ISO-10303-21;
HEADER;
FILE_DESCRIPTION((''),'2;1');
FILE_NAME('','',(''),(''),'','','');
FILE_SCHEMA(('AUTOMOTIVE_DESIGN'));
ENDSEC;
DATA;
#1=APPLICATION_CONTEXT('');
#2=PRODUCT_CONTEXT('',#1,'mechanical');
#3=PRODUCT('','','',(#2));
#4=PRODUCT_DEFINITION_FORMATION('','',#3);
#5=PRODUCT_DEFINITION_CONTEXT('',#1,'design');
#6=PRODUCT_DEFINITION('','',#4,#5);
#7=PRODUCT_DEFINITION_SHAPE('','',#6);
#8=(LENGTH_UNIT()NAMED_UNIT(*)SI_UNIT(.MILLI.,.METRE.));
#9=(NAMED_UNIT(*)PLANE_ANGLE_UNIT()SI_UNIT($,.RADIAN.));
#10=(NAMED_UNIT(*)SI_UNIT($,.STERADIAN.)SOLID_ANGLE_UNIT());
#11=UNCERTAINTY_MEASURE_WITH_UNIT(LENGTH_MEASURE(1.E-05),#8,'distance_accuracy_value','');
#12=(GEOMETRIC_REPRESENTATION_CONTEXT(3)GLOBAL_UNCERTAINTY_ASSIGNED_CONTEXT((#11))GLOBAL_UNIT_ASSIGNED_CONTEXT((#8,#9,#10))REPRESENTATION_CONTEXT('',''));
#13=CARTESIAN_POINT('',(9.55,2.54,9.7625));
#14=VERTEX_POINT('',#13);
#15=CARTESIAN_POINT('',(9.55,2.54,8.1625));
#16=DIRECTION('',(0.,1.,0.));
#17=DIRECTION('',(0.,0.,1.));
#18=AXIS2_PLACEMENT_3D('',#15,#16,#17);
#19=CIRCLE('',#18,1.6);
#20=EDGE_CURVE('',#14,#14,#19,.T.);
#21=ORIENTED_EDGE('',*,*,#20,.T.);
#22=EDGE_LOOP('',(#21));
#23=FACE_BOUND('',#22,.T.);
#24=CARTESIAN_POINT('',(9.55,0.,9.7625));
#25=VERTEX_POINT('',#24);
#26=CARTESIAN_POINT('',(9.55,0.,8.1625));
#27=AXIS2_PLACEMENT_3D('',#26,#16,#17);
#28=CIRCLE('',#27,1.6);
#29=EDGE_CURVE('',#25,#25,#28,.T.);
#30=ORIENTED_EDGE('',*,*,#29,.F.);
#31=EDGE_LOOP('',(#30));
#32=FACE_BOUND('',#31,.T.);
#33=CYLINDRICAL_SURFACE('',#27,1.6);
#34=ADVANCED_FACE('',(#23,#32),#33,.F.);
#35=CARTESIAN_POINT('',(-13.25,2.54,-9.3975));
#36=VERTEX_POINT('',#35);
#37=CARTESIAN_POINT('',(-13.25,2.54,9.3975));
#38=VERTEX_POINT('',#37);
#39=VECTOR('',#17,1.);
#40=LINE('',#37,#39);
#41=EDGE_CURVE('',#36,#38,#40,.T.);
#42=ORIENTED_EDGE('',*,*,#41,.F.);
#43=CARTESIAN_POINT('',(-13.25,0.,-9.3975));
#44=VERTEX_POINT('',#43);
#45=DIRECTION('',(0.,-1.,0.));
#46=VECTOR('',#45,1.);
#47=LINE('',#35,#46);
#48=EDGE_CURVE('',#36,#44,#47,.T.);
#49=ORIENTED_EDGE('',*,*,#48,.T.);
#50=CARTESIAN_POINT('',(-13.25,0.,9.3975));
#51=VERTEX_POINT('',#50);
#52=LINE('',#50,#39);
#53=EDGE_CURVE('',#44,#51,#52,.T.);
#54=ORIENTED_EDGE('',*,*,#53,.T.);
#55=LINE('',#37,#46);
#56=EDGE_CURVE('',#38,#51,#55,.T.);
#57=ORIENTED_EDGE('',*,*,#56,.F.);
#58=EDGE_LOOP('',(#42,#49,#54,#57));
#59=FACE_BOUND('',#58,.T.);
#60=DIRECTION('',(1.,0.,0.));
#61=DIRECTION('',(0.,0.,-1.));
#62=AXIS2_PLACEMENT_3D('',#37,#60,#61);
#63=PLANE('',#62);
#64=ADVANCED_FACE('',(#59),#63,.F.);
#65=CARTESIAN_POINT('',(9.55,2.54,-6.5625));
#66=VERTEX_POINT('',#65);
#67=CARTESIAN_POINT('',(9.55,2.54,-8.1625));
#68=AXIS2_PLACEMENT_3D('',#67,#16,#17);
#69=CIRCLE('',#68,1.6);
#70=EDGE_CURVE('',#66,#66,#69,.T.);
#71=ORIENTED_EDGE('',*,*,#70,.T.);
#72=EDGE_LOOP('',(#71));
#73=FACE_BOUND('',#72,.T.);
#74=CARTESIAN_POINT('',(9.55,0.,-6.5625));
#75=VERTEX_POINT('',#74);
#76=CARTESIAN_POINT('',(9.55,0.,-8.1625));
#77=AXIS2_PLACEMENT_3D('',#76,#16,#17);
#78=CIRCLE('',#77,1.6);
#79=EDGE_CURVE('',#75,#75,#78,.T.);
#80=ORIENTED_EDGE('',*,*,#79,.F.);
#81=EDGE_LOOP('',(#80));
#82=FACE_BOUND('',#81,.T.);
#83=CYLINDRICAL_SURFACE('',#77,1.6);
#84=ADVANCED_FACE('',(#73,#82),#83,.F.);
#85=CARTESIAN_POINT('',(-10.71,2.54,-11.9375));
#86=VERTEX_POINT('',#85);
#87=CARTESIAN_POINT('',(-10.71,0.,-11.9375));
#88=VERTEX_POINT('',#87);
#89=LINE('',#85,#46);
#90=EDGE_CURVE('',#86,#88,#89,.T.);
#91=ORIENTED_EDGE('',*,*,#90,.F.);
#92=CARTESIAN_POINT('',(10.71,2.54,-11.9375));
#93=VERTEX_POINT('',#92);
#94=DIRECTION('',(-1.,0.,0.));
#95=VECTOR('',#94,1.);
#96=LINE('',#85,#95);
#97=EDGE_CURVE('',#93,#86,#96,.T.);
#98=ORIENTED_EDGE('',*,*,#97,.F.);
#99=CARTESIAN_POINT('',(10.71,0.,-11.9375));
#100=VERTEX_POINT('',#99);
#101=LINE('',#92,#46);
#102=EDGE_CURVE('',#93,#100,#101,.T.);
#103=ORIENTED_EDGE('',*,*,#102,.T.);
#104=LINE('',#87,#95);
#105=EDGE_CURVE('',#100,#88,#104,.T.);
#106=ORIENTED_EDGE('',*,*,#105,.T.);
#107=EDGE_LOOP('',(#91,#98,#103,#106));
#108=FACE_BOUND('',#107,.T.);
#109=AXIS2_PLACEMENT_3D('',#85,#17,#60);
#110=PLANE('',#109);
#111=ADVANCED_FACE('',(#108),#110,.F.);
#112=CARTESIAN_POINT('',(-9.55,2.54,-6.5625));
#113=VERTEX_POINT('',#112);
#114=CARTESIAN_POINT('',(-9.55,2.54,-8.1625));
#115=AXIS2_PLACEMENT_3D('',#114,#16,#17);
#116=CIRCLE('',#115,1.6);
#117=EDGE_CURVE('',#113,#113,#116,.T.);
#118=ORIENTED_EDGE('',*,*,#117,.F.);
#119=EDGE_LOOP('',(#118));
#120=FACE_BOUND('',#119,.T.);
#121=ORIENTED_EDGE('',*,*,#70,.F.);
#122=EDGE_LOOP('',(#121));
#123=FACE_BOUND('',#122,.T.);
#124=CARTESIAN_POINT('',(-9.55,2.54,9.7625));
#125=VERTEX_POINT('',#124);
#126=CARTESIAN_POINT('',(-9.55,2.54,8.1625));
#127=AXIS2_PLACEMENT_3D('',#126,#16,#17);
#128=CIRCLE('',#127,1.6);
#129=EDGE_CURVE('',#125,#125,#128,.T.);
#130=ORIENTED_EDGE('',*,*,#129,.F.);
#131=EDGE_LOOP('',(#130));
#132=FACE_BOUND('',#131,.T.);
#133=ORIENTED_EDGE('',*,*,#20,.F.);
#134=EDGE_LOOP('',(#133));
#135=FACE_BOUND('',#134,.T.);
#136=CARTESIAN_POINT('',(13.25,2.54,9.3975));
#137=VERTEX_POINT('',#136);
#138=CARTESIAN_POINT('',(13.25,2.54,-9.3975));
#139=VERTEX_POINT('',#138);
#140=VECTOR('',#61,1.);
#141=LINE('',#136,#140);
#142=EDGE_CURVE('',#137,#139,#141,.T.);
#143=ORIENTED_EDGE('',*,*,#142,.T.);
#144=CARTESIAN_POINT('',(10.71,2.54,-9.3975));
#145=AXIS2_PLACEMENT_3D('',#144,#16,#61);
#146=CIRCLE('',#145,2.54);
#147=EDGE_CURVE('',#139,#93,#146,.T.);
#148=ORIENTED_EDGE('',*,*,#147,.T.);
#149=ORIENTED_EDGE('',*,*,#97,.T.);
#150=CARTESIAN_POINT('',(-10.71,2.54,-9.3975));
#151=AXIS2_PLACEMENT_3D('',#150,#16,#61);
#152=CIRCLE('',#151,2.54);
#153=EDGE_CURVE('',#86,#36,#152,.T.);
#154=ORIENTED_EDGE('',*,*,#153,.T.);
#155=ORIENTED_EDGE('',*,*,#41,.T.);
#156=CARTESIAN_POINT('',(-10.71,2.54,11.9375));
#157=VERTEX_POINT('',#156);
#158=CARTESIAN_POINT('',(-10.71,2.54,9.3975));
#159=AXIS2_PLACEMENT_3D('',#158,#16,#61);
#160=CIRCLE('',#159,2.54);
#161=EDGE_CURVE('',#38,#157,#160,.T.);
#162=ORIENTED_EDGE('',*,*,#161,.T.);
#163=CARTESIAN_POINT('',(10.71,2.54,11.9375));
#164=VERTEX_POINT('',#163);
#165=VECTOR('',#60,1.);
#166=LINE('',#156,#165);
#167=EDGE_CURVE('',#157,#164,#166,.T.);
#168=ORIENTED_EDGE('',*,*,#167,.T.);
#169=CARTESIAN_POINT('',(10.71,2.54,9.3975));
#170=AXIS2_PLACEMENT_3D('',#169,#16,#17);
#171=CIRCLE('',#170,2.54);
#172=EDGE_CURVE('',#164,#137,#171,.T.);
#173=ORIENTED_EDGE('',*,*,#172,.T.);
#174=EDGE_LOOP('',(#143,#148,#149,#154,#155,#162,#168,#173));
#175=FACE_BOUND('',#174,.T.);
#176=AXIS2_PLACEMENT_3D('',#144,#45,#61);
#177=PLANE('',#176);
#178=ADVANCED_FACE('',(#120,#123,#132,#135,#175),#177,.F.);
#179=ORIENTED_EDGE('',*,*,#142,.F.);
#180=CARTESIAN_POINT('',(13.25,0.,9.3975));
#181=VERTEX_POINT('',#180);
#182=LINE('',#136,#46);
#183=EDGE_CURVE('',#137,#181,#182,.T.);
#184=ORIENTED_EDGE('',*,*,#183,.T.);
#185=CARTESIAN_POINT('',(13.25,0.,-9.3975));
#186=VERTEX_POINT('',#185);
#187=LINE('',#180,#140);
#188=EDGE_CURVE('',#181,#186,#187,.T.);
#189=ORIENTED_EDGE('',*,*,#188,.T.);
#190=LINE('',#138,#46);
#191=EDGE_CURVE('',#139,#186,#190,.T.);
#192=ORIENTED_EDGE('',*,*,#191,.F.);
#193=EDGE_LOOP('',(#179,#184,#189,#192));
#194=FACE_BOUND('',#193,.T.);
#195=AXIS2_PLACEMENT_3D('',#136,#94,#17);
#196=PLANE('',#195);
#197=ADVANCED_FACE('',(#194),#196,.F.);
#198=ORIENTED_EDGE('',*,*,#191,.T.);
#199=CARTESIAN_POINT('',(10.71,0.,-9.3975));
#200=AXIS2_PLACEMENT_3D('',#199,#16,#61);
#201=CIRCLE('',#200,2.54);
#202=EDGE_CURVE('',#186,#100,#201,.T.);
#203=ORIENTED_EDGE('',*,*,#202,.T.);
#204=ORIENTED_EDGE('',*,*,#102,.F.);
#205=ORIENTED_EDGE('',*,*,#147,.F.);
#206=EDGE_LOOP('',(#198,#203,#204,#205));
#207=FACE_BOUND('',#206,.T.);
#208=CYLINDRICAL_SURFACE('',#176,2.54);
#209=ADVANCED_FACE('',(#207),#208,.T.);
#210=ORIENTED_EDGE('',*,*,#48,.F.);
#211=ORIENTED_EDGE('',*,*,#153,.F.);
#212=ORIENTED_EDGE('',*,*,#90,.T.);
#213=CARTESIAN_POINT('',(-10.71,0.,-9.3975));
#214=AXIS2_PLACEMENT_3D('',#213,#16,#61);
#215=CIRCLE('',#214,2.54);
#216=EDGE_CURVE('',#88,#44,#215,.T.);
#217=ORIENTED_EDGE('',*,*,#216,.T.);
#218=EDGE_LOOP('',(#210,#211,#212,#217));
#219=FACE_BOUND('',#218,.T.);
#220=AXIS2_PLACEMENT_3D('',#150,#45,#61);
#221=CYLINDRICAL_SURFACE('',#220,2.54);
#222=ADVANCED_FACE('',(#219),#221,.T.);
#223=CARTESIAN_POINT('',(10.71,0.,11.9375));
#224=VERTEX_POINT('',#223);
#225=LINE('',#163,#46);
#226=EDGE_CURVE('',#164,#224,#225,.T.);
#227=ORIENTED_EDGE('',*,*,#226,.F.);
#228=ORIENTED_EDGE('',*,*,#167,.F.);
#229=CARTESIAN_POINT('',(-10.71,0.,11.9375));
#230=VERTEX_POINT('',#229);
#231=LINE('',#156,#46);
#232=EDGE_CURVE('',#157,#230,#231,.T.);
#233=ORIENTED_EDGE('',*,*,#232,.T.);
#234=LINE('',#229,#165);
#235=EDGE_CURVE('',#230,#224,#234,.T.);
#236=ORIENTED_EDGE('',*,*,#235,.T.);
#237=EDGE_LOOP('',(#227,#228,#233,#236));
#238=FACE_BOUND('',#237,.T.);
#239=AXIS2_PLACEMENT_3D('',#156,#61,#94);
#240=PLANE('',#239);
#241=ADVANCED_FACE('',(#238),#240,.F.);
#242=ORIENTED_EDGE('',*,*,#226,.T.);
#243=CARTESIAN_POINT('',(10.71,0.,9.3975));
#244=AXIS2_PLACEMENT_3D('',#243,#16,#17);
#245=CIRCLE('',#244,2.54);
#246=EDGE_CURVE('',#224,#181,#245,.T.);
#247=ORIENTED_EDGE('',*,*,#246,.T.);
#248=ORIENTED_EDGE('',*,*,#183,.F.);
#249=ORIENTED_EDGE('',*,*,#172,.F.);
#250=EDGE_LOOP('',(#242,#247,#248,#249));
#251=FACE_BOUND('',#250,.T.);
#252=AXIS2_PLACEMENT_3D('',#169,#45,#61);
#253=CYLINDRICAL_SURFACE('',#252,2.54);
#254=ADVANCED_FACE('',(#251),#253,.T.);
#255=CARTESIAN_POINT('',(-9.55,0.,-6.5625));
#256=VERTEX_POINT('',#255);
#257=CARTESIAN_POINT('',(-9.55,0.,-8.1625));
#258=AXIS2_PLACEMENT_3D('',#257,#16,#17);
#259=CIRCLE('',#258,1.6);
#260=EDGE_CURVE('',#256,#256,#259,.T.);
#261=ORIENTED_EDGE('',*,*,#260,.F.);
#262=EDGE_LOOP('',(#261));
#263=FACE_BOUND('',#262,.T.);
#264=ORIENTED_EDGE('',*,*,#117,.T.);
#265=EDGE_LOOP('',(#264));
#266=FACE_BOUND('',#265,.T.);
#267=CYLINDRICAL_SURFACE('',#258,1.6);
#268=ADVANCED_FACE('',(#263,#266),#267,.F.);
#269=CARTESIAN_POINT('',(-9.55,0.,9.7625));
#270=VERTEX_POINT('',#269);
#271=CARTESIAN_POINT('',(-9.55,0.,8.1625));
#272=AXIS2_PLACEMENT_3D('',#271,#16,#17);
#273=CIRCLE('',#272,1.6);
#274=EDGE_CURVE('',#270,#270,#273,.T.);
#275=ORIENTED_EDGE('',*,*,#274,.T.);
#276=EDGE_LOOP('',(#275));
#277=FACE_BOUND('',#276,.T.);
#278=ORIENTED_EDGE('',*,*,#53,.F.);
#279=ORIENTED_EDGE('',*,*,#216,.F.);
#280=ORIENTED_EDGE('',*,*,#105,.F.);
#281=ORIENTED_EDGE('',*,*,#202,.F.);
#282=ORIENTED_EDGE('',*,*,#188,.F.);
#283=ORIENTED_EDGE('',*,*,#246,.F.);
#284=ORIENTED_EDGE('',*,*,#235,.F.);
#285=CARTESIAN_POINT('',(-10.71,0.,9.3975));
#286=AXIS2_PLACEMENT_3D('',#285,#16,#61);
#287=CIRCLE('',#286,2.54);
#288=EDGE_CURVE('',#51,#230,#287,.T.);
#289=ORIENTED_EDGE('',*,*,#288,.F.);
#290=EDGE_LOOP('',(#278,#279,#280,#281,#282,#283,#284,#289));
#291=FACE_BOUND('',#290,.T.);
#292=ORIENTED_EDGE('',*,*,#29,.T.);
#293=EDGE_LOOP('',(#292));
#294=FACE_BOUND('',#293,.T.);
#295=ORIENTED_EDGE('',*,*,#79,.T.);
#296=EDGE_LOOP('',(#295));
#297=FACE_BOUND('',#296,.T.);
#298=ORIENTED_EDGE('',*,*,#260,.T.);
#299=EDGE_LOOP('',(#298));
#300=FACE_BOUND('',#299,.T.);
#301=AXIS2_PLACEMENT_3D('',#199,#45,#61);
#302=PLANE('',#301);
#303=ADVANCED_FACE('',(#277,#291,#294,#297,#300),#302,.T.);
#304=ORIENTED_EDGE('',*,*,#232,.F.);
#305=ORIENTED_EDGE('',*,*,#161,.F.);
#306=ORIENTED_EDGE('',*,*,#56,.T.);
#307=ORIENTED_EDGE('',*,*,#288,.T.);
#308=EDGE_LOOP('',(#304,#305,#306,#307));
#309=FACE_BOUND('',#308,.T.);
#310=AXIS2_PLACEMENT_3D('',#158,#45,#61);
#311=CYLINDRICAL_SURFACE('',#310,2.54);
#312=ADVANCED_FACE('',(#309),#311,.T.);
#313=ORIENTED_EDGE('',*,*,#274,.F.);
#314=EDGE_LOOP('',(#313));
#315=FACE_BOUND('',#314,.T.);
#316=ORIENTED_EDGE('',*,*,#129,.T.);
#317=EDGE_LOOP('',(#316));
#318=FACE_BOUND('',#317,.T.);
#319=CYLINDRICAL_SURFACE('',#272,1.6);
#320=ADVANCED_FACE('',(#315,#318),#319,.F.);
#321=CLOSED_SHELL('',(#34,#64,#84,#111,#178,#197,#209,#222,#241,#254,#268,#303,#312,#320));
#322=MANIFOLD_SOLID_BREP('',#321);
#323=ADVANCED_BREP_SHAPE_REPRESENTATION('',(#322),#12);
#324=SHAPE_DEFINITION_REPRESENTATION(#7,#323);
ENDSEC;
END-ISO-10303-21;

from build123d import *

# Parameters (mm, degrees)
BOSS_EXTRUDE1_DEPTH = 2.54
SKETCH2_R           = 1.6
CUT_EXTRUDE1_DEPTH  = 19.014383348


with BuildPart() as part:
    # Sketch1 → Boss-Extrude1 (new body)
    with BuildSketch(Plane(origin=(0, 0, 0), x_dir=(1, 0, 0), z_dir=(0, 1, 0))):
        with BuildLine():
            Line((-10.710000043, -11.937500001), (10.709999957, -11.937500001))
            ThreePointArc((10.709999957, -11.937500001), (12.506051181, -11.193551225), (13.249999957, -9.397500001))
            Line((13.249999957, -9.397500001), (13.249999957, 9.397499999))
            ThreePointArc((13.249999957, 9.397499999), (12.506051181, 11.193551223), (10.709999957, 11.937499999))
            Line((10.709999957, 11.937499999), (-10.710000043, 11.937499999))
            ThreePointArc((-10.710000043, 11.937499999), (-12.506051267, 11.193551223), (-13.250000043, 9.397499999))
            Line((-13.250000043, 9.397499999), (-13.250000043, -9.397500001))
            ThreePointArc((-13.250000043, -9.397500001), (-12.506051267, -11.193551225), (-10.710000043, -11.937500001))
        make_face()
    extrude(amount=BOSS_EXTRUDE1_DEPTH)

    # Sketch2 → Cut-Extrude1 (cut, through all)
    with BuildSketch(Plane(origin=(0, 2.54, 0), x_dir=(1, 0, 0), z_dir=(0, 1, 0))):
        with Locations(Location((-9.54999995, 8.162500058, 0), (0, 0, 270))):
            Circle(SKETCH2_R)
        with Locations(Location((9.55000005, 8.162500058, 0), (0, 0, 270))):
            Circle(SKETCH2_R)
        with Locations(Location((9.55000005, -8.162499942, 0), (0, 0, 270))):
            Circle(SKETCH2_R)
        with Locations(Location((-9.54999995, -8.162499942, 0), (0, 0, 270))):
            Circle(SKETCH2_R)
    extrude(amount=-CUT_EXTRUDE1_DEPTH, mode=Mode.SUBTRACT)


solid = part.part
